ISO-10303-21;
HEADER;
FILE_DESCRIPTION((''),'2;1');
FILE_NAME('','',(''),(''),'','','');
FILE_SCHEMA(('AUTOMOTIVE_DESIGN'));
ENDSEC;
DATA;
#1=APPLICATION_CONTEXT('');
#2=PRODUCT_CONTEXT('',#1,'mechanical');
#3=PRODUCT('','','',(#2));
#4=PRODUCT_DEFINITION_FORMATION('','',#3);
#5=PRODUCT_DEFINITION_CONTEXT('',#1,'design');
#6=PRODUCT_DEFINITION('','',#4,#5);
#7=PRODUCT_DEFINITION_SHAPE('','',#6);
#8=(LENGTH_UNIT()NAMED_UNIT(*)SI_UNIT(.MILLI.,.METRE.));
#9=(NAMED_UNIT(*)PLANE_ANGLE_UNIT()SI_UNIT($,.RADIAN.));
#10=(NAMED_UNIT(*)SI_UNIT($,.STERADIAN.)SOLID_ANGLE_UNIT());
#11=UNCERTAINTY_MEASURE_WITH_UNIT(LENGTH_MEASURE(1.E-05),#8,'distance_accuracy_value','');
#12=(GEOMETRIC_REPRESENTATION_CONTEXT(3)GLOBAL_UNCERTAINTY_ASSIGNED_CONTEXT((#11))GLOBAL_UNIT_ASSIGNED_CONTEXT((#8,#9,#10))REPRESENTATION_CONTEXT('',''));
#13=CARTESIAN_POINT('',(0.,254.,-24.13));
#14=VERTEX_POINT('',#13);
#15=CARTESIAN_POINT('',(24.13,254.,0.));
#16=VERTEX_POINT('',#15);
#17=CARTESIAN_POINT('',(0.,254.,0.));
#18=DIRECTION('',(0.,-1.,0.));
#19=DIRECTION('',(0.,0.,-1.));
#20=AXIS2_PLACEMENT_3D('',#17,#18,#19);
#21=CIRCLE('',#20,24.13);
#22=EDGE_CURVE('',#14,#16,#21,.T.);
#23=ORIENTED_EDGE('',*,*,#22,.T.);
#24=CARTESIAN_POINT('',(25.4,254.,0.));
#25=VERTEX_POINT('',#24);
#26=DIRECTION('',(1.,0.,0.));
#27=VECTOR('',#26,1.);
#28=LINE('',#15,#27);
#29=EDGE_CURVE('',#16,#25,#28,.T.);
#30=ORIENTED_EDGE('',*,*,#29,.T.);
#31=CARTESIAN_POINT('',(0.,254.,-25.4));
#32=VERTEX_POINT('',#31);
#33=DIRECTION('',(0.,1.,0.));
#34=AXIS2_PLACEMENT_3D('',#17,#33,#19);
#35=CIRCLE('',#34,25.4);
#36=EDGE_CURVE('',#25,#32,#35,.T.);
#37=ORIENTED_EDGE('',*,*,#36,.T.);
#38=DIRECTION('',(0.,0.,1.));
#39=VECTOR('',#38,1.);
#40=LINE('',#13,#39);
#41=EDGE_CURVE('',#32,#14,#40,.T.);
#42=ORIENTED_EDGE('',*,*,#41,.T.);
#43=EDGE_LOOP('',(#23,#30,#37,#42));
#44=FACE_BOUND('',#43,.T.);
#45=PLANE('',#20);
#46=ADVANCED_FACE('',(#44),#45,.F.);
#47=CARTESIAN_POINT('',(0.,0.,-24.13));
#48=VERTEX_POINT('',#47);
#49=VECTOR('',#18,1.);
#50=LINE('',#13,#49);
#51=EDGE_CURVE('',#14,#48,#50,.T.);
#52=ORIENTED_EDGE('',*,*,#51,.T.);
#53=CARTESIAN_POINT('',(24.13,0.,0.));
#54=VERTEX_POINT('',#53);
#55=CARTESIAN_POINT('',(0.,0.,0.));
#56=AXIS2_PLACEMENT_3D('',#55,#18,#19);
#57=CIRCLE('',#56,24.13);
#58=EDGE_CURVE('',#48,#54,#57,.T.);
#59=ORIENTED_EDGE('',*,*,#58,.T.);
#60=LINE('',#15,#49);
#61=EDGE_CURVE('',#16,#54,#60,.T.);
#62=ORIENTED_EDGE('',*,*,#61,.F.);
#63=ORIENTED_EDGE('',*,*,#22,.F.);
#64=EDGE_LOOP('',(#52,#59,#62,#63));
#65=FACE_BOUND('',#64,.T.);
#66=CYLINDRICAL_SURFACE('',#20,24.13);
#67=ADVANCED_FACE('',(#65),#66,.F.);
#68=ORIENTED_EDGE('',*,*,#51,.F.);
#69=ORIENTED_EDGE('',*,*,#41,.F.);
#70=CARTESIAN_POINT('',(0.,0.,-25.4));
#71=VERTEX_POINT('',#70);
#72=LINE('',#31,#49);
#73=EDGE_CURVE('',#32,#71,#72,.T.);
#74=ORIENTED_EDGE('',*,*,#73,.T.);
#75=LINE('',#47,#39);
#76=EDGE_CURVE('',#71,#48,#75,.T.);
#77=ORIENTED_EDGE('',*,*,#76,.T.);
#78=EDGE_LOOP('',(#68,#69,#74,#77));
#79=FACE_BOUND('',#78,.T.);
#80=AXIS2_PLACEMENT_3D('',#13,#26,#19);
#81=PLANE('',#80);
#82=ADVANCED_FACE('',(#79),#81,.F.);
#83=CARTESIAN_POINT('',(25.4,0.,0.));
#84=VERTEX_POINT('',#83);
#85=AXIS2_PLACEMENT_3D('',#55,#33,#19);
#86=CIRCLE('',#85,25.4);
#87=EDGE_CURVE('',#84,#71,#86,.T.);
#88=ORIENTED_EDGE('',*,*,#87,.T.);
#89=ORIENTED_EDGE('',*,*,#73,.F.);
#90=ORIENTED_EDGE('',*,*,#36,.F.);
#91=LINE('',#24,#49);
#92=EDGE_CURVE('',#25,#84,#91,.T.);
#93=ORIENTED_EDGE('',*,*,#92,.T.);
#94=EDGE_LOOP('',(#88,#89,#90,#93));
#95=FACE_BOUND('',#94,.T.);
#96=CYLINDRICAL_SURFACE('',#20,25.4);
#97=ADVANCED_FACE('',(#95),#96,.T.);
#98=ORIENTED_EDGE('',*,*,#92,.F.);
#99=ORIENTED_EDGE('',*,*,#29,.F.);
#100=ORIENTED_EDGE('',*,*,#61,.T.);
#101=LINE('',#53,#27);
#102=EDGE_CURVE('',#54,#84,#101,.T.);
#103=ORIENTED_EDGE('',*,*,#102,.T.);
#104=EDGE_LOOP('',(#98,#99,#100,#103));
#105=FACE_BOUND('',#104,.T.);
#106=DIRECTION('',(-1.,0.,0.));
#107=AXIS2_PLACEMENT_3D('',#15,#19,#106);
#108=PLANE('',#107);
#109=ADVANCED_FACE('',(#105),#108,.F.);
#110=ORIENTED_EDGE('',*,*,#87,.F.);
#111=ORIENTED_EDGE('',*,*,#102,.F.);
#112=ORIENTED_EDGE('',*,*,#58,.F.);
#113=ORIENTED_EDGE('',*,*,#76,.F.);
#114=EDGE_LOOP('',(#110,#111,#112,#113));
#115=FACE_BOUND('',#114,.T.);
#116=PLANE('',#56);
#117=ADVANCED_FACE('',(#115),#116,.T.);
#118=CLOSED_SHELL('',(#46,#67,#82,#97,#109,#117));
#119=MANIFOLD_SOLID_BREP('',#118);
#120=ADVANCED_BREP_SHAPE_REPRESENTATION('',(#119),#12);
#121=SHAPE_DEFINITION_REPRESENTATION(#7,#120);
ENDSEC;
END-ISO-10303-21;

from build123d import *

# Parameters (mm, degrees)
BOSS_EXTRUDE2_DEPTH = 254


with BuildPart() as part:
    # Sketch1 → Boss-Extrude2 (new body)
    with BuildSketch(Plane(origin=(0, 0, 0), x_dir=(1, 0, 0), z_dir=(0, 1, 0))):
        with BuildLine():
            Line((0, 24.13), (0, 25.4))
            ThreePointArc((0, 25.4), (17.960512242, 17.960512242), (25.4, 0))
            Line((25.4, 0), (24.13, 0))
            ThreePointArc((24.13, 0), (17.06248663, 17.06248663), (0, 24.13))
        make_face()
    extrude(amount=BOSS_EXTRUDE2_DEPTH)


solid = part.part
